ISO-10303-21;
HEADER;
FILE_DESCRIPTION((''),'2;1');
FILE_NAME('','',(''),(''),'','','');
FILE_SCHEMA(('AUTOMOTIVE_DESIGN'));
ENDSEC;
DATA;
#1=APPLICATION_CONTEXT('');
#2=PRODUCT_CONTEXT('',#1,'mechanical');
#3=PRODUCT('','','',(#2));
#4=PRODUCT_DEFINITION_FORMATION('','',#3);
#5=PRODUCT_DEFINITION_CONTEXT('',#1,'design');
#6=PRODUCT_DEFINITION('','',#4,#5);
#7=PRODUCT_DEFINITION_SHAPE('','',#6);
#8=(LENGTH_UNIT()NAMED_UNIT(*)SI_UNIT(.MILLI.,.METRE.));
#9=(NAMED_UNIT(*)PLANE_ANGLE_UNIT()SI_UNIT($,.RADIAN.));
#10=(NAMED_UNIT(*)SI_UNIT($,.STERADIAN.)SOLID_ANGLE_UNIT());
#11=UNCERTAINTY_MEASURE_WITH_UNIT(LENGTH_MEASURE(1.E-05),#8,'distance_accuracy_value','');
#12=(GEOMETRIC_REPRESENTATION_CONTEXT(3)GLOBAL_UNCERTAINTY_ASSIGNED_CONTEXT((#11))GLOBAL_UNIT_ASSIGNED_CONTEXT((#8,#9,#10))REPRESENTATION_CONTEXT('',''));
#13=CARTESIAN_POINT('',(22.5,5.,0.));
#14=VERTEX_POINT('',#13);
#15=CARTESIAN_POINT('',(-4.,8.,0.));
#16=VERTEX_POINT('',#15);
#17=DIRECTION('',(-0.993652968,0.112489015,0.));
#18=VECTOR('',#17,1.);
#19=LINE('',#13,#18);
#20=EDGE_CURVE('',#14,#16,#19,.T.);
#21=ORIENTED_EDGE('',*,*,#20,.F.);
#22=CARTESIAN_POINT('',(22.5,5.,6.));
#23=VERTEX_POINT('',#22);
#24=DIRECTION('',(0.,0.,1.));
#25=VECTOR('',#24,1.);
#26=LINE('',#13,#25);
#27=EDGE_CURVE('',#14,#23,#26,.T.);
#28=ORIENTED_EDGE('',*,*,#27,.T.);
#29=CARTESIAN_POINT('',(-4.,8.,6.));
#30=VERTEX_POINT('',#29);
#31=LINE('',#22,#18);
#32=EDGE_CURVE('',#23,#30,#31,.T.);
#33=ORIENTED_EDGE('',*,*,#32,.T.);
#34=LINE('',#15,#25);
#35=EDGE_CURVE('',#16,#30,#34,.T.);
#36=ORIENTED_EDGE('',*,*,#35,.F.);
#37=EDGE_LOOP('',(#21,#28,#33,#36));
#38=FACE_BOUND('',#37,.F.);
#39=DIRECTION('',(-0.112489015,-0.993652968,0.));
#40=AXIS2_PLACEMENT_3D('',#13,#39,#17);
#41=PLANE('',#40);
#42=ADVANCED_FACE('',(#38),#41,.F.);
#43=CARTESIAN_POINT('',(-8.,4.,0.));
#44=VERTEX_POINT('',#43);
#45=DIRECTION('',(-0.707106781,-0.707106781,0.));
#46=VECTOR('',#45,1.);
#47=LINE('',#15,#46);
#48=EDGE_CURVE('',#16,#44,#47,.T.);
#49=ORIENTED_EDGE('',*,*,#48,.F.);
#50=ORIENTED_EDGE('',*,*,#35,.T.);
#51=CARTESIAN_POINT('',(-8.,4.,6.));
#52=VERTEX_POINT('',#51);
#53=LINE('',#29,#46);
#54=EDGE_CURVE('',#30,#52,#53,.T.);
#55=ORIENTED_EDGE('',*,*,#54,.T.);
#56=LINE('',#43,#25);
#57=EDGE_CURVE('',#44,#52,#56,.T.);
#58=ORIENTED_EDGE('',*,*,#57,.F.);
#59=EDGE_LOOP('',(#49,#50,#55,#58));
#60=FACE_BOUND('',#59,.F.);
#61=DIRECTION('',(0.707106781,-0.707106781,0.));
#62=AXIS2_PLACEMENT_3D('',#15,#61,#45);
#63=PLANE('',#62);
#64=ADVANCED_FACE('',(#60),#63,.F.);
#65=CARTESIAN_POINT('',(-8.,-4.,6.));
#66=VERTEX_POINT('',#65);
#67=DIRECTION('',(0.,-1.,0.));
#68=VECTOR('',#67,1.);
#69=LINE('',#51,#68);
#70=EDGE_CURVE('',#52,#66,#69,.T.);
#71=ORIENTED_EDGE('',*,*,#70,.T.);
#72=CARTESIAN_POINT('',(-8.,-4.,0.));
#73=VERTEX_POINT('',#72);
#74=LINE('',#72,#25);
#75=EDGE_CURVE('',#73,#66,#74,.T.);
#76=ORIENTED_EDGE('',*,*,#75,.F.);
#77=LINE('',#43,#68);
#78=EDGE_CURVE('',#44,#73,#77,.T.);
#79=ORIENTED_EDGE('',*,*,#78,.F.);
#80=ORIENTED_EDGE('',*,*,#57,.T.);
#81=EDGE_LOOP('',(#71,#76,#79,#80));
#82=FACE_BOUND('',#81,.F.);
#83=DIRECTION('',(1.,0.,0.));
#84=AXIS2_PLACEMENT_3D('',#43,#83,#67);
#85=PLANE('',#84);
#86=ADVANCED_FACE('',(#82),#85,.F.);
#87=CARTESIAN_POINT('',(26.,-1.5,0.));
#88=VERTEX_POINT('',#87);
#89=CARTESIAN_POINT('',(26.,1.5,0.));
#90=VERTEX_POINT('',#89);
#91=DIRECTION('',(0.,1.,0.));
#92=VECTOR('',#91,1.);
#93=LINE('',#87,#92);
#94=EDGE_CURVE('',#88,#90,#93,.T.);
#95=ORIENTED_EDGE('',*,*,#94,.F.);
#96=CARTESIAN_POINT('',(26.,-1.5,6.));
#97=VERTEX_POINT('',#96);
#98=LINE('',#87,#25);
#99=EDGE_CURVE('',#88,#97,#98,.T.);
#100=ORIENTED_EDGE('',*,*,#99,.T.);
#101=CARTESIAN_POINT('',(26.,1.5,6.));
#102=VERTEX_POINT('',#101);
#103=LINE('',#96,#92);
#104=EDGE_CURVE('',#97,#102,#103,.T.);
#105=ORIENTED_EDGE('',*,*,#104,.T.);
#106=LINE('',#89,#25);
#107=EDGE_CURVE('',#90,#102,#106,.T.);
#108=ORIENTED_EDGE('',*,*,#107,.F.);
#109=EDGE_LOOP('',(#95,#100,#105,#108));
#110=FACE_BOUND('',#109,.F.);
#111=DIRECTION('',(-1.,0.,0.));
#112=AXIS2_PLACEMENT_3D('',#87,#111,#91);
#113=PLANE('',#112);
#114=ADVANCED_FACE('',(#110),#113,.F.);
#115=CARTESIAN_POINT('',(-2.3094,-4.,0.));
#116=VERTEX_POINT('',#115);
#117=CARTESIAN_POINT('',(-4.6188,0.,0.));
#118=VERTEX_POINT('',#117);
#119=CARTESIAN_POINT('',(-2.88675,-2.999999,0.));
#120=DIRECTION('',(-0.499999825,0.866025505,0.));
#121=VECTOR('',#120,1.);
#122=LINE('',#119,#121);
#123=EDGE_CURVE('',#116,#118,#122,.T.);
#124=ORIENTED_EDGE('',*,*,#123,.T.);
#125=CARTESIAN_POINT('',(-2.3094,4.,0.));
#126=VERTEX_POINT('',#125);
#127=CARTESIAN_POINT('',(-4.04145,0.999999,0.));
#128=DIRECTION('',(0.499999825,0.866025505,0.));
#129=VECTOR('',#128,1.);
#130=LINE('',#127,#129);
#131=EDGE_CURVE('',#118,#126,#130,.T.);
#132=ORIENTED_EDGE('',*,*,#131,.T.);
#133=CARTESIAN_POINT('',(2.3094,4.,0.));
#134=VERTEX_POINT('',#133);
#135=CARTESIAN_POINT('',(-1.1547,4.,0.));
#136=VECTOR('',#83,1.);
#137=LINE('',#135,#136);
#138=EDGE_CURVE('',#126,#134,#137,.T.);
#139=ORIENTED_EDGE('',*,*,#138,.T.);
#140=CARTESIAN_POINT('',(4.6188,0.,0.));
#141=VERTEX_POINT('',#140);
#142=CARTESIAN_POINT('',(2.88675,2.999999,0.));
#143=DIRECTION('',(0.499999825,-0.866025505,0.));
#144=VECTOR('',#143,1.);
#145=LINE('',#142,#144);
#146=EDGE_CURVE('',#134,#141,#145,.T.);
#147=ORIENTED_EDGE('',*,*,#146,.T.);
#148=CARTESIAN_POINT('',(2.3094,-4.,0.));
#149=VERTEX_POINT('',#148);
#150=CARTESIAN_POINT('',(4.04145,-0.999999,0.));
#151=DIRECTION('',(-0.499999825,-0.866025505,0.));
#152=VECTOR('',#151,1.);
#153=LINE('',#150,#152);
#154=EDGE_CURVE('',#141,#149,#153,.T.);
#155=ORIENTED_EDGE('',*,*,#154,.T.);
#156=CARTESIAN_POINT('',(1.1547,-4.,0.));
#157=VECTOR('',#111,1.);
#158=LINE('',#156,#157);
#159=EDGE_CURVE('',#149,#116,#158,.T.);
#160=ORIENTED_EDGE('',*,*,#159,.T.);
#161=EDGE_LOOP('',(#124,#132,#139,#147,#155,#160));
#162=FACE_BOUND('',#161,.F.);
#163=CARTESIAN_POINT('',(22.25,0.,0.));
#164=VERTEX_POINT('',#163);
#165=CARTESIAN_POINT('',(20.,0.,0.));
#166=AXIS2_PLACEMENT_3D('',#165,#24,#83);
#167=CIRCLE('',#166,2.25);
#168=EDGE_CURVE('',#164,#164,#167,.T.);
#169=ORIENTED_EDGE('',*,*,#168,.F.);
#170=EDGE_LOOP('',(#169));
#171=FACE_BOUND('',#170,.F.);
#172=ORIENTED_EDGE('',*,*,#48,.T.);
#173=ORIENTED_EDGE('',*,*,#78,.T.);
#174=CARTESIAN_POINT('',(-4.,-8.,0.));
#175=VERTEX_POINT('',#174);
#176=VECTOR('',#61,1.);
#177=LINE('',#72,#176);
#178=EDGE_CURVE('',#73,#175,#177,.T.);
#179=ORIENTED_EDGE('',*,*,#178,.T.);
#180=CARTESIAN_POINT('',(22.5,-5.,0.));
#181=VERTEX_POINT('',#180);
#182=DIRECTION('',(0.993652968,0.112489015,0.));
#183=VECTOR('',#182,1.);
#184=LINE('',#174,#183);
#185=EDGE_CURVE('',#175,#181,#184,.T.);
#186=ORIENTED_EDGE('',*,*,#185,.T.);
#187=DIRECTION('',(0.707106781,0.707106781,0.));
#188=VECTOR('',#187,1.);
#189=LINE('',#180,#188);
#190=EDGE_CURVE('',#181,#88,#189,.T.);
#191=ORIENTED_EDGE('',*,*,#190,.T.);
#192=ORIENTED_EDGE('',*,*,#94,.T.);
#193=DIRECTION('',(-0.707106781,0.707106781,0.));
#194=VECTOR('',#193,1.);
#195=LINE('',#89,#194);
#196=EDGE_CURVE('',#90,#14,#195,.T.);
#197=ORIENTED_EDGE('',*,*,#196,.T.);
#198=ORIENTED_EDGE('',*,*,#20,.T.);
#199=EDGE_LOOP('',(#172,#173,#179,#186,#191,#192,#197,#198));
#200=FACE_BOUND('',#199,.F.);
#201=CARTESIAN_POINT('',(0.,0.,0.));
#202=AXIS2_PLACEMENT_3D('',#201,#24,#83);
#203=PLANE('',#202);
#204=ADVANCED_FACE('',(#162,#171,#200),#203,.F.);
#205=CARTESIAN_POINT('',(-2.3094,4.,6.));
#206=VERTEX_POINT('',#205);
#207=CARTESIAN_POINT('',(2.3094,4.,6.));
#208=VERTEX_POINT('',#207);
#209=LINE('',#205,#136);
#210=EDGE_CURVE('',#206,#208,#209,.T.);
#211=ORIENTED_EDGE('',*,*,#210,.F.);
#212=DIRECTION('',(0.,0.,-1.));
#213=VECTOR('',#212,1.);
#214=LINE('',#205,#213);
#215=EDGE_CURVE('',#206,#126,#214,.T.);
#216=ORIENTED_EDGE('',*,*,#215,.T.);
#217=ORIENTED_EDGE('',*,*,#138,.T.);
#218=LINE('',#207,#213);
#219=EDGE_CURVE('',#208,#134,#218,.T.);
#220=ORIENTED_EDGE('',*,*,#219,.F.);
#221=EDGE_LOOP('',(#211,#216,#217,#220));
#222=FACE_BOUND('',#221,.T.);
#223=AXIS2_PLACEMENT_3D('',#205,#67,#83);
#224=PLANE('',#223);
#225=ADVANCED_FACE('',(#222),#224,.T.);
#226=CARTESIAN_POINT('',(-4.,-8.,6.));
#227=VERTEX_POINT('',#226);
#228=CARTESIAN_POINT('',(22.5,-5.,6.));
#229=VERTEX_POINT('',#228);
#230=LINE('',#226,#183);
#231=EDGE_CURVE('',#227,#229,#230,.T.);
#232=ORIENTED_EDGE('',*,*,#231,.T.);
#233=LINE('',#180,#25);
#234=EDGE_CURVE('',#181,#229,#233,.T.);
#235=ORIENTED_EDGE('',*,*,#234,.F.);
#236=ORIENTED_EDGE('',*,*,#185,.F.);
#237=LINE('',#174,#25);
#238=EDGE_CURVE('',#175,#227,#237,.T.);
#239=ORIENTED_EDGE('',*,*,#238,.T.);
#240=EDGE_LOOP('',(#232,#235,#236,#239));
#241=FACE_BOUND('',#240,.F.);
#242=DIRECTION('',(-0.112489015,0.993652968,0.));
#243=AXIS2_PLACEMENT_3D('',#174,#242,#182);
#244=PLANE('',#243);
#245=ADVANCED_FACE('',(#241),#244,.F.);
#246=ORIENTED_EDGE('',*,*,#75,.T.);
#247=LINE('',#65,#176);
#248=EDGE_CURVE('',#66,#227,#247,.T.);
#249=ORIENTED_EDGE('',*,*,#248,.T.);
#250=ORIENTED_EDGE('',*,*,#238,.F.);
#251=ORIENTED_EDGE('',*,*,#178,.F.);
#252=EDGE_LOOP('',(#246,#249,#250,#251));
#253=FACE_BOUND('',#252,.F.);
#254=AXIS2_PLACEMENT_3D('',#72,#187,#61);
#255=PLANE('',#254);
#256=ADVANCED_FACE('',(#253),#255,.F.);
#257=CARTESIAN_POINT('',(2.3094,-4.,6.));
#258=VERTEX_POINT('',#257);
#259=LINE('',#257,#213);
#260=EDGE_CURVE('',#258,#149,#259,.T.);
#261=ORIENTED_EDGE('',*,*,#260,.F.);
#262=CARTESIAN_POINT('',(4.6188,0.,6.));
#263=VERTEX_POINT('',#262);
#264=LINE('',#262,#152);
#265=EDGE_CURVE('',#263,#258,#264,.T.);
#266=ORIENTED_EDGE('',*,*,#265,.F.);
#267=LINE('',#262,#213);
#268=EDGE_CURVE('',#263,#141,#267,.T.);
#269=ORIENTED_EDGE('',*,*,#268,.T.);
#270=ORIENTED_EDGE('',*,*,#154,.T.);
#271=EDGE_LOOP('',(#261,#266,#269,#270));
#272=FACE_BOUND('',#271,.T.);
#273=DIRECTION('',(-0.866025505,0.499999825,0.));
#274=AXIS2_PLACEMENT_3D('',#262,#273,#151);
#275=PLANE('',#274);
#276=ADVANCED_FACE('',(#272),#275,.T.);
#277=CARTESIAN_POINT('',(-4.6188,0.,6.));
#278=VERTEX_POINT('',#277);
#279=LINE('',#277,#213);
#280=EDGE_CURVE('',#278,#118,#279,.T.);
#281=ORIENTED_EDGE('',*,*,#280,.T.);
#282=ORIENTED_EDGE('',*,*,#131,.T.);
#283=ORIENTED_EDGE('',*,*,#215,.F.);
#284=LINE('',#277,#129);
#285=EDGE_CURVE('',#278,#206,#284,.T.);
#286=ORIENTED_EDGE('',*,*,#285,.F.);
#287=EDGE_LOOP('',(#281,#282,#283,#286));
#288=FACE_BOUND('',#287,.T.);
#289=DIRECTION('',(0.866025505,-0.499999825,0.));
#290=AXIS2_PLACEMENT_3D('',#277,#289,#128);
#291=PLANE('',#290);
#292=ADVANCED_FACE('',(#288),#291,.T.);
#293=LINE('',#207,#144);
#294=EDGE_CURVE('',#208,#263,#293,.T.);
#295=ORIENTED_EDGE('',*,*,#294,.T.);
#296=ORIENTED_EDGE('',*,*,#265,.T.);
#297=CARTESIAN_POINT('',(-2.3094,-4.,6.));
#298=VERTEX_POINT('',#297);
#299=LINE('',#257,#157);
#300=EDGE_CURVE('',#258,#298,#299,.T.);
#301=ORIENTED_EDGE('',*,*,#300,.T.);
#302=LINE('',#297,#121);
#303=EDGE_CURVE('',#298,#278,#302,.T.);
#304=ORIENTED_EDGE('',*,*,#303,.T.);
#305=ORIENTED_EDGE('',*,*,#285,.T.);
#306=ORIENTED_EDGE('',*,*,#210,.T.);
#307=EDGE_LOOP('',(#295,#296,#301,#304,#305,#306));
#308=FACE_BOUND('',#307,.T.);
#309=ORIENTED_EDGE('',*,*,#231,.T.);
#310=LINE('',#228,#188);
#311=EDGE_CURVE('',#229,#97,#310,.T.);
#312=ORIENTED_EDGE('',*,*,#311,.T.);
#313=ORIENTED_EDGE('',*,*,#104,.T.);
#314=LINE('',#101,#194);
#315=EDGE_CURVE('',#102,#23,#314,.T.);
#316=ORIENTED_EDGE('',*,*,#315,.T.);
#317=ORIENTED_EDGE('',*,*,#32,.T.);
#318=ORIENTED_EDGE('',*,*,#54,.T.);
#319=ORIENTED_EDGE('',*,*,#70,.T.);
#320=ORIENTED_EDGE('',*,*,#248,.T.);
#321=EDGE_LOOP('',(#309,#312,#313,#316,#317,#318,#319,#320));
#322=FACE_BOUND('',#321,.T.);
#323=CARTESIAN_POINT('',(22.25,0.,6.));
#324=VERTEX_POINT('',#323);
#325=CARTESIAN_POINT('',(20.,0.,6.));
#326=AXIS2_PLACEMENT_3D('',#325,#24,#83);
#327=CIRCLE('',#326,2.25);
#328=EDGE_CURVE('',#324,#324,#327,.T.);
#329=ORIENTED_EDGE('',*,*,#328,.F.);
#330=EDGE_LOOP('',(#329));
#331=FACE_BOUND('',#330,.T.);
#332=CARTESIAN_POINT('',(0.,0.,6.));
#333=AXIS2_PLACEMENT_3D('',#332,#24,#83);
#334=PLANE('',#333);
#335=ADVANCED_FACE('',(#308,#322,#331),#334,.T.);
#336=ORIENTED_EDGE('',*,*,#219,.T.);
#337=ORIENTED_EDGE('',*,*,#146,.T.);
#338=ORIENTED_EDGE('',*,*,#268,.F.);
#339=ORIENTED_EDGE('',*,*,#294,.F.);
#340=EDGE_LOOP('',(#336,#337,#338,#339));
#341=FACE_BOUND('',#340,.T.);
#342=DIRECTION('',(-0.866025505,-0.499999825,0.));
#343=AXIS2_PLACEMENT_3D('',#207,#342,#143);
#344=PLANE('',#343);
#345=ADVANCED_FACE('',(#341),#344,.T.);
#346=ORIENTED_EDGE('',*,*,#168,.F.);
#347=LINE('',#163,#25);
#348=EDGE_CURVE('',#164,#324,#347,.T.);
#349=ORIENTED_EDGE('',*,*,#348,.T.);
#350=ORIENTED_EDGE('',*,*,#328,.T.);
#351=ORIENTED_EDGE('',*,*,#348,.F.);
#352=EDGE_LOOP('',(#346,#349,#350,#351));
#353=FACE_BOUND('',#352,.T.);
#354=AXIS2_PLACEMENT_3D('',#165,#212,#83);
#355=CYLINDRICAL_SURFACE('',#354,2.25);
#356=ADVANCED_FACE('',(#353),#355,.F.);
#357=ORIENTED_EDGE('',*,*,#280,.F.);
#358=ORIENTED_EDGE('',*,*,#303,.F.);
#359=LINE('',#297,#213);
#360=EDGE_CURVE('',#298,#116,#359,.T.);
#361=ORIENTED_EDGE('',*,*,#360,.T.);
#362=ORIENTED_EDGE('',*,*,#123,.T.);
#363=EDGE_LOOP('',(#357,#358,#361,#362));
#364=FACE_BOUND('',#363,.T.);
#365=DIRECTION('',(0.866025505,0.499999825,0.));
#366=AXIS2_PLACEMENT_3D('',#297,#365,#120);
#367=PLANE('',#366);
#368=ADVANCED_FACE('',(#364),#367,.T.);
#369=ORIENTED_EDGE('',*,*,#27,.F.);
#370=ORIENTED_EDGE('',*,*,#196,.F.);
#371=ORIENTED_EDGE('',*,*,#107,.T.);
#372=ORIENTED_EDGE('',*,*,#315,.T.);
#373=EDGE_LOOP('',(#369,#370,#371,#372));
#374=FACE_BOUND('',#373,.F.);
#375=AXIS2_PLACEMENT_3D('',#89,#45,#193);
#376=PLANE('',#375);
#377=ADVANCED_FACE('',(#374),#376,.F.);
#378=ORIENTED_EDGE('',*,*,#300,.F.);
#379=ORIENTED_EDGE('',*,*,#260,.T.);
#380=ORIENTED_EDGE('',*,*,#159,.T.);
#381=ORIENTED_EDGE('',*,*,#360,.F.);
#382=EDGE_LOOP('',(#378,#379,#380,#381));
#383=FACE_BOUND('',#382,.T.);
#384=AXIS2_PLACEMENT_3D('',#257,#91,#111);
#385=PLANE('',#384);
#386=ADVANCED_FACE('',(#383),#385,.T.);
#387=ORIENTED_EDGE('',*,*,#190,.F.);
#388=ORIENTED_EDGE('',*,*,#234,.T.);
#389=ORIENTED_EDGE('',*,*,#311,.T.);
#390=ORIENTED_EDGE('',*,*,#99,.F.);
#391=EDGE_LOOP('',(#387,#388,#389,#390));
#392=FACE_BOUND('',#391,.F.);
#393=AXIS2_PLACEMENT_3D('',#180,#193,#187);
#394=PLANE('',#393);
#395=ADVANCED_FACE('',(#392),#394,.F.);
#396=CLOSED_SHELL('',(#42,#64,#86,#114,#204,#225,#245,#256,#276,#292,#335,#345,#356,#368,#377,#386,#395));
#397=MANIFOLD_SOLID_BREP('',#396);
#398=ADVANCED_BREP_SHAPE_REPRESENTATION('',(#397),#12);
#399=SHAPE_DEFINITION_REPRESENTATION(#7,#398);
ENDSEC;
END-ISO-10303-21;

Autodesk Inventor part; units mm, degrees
ref_plane "YZ Plane" through (0, 0, 0) normal (1, 0, 0) x (0, 1, 0)
ref_plane "XZ Plane" through (0, 0, 0) normal (0, 1, 0) x (-1, 0, 0)
ref_plane "XY Plane" through (0, 0, 0) normal (0, 0, 1) x (1, 0, 0)
sketch "Sketch1" plane through (0, 0, 0) normal (0, 0, 1) x (1, 0, 0)
  line L0 (-4, -8) -> (22.5, -5)
  line L1 (26, -1.5) -> (26, 1.5)
  line L2 (22.5, 5) -> (-4, 8)
  line L3 (-8, 4) -> (-8, -4)
  line L4 (-4, 8) -> (-8, 4)
  line L5 (-8, -4) -> (-4, -8)
  line L6 (22.5, -5) -> (26, -1.5)
  line L7 (26, 1.5) -> (22.5, 5)
  circle A0 centre (0, 0) radius 2.75
  circle A1 centre (20, 0) radius 2.25
  circle A2 centre (0, 0) radius 5 construction
  circle A3 centre (20, 0) radius 4.5 construction
  point P0 (-8, 0)
  point P1 (26, 0)
  dimension "d9" = 8
  dimension "d10" = 20
  dimension "d11" = 4.5
  dimension "d12" = 5.5
  dimension "d13" = 6
  dimension "d16" = 10
  dimension "d17" = 9
  dimension "d18" = 8
  dimension "d19" = 4
  dimension "d20" = 4
  dimension "d21" = 4
  dimension "d22" = 10
  dimension "d23" = 3
extrude "Extrusion1" add sketch "Sketch1" along normal blind 6
sketch "Sketch2" plane through (0, 0, 6) normal (0, 0, 1) x (1, 0, 0)
  circle A0 centre (0, 0) radius 2.75 projected
  line L0 (-8, 4) -> (-8, -4) projected
  line L1 (4.6188, 0) -> (2.3094, -4)
  line L2 (2.3094, -4) -> (-2.3094, -4)
  line L3 (-2.3094, -4) -> (-4.6188, 0)
  line L4 (-4.6188, 0) -> (-2.3094, 4)
  line L5 (-2.3094, 4) -> (2.3094, 4)
  line L6 (2.3094, 4) -> (4.6188, 0)
  dimension "d24" = 8
extrude "Extrusion2" cut sketch "Sketch2" against normal through all
properties part number "y_carriage_nut_holder_b"
